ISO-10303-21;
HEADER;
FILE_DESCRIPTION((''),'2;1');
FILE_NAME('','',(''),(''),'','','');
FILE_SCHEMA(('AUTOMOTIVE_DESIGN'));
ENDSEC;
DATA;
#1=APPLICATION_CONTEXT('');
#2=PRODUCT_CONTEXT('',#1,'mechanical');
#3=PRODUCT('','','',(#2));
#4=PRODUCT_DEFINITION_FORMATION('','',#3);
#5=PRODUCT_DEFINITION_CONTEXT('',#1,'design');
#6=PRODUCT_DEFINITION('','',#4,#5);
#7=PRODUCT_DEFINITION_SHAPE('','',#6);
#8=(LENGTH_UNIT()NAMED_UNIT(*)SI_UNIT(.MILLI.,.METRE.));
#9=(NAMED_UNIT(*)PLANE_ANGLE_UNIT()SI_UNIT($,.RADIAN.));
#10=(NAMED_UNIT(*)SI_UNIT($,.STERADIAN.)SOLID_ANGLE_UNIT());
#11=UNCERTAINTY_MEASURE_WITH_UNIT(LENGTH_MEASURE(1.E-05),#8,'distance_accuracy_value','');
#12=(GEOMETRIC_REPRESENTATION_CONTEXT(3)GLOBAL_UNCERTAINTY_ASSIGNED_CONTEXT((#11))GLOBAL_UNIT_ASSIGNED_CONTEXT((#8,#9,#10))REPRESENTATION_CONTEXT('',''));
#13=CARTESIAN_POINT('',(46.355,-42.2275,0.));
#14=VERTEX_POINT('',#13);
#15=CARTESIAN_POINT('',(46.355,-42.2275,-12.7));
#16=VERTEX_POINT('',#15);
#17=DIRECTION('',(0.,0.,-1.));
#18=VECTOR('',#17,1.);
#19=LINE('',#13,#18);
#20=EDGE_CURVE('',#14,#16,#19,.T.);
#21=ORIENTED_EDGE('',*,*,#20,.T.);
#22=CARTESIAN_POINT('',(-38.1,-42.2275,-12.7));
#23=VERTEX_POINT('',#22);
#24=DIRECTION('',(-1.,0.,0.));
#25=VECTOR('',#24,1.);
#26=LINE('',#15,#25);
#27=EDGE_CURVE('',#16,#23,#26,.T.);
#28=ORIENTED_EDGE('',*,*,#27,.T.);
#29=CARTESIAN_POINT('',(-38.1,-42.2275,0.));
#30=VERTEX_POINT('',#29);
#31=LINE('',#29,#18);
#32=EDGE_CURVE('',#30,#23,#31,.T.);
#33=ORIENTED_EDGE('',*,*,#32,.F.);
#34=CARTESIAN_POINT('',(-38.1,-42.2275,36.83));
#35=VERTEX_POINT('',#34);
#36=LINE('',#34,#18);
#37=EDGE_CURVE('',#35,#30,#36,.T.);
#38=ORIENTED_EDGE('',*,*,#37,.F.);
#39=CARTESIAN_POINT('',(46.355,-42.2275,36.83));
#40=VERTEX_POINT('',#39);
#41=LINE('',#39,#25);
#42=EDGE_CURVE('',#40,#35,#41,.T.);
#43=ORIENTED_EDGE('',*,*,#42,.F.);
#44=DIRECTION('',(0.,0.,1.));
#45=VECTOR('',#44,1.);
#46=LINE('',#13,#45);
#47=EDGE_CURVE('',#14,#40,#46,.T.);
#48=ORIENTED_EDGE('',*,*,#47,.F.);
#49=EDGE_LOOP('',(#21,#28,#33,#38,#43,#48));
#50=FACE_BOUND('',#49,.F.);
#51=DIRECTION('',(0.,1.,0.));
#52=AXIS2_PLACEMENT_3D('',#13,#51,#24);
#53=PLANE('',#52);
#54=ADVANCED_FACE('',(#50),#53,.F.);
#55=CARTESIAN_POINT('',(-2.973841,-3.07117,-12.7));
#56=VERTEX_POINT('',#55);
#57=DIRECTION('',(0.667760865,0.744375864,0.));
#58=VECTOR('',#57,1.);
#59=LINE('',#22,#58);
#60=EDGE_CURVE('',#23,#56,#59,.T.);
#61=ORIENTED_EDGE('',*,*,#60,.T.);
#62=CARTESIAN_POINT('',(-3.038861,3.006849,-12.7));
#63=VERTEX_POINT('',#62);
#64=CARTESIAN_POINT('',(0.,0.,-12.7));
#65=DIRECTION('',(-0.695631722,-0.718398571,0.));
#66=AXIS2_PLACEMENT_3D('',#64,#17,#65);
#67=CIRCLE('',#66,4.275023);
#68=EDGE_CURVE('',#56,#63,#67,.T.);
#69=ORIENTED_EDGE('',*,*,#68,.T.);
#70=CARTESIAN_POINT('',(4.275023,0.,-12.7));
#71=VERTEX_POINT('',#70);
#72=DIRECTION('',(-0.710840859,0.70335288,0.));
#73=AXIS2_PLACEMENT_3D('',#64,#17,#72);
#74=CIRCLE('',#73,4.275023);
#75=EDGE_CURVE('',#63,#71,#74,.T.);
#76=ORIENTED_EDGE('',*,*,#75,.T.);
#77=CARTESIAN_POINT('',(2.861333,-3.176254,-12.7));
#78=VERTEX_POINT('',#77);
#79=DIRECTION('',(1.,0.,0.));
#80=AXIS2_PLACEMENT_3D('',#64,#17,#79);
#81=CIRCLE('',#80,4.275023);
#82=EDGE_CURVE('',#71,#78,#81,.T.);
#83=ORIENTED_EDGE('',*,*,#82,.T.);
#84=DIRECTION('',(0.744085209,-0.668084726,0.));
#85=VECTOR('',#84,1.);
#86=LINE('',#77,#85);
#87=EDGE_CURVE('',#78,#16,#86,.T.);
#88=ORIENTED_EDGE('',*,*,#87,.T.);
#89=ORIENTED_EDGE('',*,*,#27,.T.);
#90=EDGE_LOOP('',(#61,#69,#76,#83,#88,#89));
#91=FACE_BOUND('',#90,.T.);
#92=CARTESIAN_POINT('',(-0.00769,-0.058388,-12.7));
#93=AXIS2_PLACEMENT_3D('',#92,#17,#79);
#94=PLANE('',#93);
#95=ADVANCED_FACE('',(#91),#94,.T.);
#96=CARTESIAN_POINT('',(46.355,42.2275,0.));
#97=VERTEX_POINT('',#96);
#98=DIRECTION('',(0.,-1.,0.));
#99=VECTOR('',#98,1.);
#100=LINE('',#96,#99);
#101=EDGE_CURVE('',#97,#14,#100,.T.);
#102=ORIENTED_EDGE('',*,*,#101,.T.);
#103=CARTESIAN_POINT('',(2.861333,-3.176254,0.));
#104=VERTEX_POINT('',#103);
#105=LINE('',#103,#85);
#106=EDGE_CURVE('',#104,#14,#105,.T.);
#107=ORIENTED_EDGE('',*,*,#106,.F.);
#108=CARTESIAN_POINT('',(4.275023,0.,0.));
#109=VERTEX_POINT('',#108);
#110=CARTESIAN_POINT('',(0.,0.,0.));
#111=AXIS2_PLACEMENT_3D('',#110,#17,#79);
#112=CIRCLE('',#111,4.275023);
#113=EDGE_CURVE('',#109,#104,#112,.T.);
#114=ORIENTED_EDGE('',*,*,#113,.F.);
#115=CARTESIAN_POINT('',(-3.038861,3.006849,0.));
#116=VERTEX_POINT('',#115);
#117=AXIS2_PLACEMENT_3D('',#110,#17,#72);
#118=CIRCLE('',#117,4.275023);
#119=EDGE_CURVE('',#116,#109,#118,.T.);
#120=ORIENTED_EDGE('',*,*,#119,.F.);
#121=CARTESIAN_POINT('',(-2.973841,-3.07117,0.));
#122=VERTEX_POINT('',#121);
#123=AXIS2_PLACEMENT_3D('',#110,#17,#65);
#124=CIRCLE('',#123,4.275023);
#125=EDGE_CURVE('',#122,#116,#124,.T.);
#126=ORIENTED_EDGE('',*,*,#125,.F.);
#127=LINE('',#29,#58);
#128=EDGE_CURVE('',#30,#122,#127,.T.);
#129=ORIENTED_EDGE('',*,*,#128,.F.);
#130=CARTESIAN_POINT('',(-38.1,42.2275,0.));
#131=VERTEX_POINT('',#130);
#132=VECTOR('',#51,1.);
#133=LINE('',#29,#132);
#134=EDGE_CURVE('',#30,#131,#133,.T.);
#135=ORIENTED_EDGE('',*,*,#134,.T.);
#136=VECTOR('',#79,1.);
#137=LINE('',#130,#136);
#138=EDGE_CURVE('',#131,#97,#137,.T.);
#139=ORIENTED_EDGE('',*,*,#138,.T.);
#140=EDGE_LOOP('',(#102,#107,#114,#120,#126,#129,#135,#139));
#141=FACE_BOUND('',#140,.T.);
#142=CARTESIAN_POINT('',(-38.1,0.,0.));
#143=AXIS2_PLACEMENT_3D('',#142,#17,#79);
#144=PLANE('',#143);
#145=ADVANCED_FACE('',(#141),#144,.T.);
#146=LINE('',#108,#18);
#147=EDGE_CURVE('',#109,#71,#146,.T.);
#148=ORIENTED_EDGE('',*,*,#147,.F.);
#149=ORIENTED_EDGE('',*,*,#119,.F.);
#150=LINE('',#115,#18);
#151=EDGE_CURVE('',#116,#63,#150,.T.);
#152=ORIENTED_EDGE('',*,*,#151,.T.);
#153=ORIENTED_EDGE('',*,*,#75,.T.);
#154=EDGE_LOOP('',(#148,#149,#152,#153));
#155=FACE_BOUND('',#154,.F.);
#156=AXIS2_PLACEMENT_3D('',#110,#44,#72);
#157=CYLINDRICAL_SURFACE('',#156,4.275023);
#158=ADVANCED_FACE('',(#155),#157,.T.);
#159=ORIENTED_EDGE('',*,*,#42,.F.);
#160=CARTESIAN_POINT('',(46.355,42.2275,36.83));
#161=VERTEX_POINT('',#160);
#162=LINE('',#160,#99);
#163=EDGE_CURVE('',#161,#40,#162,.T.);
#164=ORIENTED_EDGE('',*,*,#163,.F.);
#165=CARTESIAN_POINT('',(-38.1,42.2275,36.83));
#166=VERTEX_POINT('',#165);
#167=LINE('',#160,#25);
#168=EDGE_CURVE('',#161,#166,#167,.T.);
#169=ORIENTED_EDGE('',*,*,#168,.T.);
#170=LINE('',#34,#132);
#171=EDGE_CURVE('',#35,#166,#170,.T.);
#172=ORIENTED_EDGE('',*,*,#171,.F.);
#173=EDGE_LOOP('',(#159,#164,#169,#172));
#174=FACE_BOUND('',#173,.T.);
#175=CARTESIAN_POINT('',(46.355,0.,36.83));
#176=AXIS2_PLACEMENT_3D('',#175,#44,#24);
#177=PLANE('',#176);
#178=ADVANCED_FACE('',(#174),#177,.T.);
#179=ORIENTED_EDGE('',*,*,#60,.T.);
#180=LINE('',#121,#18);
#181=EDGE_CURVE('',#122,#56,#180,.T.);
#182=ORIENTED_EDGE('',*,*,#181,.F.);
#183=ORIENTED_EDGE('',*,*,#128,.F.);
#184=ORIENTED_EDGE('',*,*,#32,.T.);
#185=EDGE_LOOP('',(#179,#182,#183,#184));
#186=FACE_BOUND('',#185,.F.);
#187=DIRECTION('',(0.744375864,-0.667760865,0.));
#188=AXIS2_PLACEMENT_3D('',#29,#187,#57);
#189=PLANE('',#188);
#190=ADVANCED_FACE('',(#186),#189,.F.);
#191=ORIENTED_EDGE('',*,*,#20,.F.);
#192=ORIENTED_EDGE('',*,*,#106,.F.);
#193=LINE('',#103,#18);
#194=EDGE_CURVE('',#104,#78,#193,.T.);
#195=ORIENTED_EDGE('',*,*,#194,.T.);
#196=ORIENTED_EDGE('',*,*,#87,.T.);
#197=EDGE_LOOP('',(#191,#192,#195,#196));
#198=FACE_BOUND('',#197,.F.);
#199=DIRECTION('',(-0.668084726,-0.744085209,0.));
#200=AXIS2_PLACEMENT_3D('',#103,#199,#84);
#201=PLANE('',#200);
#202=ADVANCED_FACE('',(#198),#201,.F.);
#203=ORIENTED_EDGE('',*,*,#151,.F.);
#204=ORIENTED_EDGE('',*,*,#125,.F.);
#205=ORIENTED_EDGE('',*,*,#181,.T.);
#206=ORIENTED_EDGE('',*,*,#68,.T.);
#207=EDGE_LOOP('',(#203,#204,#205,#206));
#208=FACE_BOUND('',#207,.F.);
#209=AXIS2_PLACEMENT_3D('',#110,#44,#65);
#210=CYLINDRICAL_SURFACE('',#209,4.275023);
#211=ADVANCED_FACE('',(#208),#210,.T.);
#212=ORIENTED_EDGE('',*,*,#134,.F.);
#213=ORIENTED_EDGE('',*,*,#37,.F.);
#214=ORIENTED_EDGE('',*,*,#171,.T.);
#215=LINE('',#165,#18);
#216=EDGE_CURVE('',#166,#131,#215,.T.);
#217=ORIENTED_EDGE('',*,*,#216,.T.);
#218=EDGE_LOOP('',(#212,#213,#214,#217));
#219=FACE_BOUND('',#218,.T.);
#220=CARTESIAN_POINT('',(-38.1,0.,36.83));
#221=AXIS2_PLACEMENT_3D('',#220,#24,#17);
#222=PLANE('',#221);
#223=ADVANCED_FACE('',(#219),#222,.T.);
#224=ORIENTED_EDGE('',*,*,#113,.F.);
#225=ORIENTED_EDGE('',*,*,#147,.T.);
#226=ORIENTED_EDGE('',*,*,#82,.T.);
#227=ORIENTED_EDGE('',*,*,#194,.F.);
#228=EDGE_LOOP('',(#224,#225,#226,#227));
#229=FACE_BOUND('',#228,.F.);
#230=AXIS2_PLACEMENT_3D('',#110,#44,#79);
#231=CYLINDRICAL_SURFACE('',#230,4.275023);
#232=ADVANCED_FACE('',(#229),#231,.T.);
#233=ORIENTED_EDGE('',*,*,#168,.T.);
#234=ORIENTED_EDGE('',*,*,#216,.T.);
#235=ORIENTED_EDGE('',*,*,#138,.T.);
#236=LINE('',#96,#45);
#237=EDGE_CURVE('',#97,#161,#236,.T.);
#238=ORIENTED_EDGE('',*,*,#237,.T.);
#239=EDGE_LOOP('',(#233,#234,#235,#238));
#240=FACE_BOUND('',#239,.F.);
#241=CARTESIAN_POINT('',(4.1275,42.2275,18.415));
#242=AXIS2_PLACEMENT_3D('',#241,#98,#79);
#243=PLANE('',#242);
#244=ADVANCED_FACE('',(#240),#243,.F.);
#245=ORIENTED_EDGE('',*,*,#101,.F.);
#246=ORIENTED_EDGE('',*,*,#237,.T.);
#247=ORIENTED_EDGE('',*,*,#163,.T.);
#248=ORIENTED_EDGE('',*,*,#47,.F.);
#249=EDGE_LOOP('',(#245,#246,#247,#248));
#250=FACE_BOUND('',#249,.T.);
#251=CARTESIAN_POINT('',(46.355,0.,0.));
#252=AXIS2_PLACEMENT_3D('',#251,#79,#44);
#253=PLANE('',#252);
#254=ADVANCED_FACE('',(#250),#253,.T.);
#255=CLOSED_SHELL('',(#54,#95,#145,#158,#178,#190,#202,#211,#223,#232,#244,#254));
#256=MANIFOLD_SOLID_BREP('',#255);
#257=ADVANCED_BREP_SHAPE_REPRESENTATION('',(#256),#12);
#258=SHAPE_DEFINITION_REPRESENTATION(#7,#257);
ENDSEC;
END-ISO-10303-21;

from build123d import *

# Parameters (mm, degrees)
F1_DEPTH = 42.2275
F3_DEPTH = 12.7


with BuildPart() as f1:
    # F0 (on Front) → F1 (new body, symmetric)
    with BuildSketch(Plane.XZ):
        Polygon((-38.1, 0), (0, 0), (46.355, 0), (46.355, 36.83), (0, 36.83), (-38.1, 36.83), align=None)
    extrude(amount=F1_DEPTH, both=True)

    # F2 (on face) → F3 (join)
    with BuildSketch(Plane(origin=(0, 0, 0), x_dir=(1, 0, 0), z_dir=(0, 0, -1))):
        with BuildLine():
            ThreePointArc((-3.038860673, -3.0068493958), (1.6255183313, -3.9539230687), (4.2750225121, 0))
            ThreePointArc((4.2750225121, 0), (3.9056421533, 1.7383258754), (2.8613331851, 3.1762540646))
            ThreePointArc((2.8613331851, 3.1762540646), (-0.0769751858, 4.2743294561), (-2.9738412726, 3.0711700643))
            ThreePointArc((-2.9738412726, 3.0711700643), (-4.2747779254, 0.0457292872), (-3.038860673, -3.0068493958))
        make_face()
        with BuildLine():
            Line((46.355, 42.2275), (-38.1, 42.2275))
            Line((-38.1, 42.2275), (-2.9738412726, 3.0711700643))
            ThreePointArc((-2.9738412726, 3.0711700643), (-0.0769751858, 4.2743294561), (2.8613331851, 3.1762540646))
            Line((2.8613331851, 3.1762540646), (46.355, 42.2275))
        make_face()
    extrude(amount=F3_DEPTH)


solid = f1.part
